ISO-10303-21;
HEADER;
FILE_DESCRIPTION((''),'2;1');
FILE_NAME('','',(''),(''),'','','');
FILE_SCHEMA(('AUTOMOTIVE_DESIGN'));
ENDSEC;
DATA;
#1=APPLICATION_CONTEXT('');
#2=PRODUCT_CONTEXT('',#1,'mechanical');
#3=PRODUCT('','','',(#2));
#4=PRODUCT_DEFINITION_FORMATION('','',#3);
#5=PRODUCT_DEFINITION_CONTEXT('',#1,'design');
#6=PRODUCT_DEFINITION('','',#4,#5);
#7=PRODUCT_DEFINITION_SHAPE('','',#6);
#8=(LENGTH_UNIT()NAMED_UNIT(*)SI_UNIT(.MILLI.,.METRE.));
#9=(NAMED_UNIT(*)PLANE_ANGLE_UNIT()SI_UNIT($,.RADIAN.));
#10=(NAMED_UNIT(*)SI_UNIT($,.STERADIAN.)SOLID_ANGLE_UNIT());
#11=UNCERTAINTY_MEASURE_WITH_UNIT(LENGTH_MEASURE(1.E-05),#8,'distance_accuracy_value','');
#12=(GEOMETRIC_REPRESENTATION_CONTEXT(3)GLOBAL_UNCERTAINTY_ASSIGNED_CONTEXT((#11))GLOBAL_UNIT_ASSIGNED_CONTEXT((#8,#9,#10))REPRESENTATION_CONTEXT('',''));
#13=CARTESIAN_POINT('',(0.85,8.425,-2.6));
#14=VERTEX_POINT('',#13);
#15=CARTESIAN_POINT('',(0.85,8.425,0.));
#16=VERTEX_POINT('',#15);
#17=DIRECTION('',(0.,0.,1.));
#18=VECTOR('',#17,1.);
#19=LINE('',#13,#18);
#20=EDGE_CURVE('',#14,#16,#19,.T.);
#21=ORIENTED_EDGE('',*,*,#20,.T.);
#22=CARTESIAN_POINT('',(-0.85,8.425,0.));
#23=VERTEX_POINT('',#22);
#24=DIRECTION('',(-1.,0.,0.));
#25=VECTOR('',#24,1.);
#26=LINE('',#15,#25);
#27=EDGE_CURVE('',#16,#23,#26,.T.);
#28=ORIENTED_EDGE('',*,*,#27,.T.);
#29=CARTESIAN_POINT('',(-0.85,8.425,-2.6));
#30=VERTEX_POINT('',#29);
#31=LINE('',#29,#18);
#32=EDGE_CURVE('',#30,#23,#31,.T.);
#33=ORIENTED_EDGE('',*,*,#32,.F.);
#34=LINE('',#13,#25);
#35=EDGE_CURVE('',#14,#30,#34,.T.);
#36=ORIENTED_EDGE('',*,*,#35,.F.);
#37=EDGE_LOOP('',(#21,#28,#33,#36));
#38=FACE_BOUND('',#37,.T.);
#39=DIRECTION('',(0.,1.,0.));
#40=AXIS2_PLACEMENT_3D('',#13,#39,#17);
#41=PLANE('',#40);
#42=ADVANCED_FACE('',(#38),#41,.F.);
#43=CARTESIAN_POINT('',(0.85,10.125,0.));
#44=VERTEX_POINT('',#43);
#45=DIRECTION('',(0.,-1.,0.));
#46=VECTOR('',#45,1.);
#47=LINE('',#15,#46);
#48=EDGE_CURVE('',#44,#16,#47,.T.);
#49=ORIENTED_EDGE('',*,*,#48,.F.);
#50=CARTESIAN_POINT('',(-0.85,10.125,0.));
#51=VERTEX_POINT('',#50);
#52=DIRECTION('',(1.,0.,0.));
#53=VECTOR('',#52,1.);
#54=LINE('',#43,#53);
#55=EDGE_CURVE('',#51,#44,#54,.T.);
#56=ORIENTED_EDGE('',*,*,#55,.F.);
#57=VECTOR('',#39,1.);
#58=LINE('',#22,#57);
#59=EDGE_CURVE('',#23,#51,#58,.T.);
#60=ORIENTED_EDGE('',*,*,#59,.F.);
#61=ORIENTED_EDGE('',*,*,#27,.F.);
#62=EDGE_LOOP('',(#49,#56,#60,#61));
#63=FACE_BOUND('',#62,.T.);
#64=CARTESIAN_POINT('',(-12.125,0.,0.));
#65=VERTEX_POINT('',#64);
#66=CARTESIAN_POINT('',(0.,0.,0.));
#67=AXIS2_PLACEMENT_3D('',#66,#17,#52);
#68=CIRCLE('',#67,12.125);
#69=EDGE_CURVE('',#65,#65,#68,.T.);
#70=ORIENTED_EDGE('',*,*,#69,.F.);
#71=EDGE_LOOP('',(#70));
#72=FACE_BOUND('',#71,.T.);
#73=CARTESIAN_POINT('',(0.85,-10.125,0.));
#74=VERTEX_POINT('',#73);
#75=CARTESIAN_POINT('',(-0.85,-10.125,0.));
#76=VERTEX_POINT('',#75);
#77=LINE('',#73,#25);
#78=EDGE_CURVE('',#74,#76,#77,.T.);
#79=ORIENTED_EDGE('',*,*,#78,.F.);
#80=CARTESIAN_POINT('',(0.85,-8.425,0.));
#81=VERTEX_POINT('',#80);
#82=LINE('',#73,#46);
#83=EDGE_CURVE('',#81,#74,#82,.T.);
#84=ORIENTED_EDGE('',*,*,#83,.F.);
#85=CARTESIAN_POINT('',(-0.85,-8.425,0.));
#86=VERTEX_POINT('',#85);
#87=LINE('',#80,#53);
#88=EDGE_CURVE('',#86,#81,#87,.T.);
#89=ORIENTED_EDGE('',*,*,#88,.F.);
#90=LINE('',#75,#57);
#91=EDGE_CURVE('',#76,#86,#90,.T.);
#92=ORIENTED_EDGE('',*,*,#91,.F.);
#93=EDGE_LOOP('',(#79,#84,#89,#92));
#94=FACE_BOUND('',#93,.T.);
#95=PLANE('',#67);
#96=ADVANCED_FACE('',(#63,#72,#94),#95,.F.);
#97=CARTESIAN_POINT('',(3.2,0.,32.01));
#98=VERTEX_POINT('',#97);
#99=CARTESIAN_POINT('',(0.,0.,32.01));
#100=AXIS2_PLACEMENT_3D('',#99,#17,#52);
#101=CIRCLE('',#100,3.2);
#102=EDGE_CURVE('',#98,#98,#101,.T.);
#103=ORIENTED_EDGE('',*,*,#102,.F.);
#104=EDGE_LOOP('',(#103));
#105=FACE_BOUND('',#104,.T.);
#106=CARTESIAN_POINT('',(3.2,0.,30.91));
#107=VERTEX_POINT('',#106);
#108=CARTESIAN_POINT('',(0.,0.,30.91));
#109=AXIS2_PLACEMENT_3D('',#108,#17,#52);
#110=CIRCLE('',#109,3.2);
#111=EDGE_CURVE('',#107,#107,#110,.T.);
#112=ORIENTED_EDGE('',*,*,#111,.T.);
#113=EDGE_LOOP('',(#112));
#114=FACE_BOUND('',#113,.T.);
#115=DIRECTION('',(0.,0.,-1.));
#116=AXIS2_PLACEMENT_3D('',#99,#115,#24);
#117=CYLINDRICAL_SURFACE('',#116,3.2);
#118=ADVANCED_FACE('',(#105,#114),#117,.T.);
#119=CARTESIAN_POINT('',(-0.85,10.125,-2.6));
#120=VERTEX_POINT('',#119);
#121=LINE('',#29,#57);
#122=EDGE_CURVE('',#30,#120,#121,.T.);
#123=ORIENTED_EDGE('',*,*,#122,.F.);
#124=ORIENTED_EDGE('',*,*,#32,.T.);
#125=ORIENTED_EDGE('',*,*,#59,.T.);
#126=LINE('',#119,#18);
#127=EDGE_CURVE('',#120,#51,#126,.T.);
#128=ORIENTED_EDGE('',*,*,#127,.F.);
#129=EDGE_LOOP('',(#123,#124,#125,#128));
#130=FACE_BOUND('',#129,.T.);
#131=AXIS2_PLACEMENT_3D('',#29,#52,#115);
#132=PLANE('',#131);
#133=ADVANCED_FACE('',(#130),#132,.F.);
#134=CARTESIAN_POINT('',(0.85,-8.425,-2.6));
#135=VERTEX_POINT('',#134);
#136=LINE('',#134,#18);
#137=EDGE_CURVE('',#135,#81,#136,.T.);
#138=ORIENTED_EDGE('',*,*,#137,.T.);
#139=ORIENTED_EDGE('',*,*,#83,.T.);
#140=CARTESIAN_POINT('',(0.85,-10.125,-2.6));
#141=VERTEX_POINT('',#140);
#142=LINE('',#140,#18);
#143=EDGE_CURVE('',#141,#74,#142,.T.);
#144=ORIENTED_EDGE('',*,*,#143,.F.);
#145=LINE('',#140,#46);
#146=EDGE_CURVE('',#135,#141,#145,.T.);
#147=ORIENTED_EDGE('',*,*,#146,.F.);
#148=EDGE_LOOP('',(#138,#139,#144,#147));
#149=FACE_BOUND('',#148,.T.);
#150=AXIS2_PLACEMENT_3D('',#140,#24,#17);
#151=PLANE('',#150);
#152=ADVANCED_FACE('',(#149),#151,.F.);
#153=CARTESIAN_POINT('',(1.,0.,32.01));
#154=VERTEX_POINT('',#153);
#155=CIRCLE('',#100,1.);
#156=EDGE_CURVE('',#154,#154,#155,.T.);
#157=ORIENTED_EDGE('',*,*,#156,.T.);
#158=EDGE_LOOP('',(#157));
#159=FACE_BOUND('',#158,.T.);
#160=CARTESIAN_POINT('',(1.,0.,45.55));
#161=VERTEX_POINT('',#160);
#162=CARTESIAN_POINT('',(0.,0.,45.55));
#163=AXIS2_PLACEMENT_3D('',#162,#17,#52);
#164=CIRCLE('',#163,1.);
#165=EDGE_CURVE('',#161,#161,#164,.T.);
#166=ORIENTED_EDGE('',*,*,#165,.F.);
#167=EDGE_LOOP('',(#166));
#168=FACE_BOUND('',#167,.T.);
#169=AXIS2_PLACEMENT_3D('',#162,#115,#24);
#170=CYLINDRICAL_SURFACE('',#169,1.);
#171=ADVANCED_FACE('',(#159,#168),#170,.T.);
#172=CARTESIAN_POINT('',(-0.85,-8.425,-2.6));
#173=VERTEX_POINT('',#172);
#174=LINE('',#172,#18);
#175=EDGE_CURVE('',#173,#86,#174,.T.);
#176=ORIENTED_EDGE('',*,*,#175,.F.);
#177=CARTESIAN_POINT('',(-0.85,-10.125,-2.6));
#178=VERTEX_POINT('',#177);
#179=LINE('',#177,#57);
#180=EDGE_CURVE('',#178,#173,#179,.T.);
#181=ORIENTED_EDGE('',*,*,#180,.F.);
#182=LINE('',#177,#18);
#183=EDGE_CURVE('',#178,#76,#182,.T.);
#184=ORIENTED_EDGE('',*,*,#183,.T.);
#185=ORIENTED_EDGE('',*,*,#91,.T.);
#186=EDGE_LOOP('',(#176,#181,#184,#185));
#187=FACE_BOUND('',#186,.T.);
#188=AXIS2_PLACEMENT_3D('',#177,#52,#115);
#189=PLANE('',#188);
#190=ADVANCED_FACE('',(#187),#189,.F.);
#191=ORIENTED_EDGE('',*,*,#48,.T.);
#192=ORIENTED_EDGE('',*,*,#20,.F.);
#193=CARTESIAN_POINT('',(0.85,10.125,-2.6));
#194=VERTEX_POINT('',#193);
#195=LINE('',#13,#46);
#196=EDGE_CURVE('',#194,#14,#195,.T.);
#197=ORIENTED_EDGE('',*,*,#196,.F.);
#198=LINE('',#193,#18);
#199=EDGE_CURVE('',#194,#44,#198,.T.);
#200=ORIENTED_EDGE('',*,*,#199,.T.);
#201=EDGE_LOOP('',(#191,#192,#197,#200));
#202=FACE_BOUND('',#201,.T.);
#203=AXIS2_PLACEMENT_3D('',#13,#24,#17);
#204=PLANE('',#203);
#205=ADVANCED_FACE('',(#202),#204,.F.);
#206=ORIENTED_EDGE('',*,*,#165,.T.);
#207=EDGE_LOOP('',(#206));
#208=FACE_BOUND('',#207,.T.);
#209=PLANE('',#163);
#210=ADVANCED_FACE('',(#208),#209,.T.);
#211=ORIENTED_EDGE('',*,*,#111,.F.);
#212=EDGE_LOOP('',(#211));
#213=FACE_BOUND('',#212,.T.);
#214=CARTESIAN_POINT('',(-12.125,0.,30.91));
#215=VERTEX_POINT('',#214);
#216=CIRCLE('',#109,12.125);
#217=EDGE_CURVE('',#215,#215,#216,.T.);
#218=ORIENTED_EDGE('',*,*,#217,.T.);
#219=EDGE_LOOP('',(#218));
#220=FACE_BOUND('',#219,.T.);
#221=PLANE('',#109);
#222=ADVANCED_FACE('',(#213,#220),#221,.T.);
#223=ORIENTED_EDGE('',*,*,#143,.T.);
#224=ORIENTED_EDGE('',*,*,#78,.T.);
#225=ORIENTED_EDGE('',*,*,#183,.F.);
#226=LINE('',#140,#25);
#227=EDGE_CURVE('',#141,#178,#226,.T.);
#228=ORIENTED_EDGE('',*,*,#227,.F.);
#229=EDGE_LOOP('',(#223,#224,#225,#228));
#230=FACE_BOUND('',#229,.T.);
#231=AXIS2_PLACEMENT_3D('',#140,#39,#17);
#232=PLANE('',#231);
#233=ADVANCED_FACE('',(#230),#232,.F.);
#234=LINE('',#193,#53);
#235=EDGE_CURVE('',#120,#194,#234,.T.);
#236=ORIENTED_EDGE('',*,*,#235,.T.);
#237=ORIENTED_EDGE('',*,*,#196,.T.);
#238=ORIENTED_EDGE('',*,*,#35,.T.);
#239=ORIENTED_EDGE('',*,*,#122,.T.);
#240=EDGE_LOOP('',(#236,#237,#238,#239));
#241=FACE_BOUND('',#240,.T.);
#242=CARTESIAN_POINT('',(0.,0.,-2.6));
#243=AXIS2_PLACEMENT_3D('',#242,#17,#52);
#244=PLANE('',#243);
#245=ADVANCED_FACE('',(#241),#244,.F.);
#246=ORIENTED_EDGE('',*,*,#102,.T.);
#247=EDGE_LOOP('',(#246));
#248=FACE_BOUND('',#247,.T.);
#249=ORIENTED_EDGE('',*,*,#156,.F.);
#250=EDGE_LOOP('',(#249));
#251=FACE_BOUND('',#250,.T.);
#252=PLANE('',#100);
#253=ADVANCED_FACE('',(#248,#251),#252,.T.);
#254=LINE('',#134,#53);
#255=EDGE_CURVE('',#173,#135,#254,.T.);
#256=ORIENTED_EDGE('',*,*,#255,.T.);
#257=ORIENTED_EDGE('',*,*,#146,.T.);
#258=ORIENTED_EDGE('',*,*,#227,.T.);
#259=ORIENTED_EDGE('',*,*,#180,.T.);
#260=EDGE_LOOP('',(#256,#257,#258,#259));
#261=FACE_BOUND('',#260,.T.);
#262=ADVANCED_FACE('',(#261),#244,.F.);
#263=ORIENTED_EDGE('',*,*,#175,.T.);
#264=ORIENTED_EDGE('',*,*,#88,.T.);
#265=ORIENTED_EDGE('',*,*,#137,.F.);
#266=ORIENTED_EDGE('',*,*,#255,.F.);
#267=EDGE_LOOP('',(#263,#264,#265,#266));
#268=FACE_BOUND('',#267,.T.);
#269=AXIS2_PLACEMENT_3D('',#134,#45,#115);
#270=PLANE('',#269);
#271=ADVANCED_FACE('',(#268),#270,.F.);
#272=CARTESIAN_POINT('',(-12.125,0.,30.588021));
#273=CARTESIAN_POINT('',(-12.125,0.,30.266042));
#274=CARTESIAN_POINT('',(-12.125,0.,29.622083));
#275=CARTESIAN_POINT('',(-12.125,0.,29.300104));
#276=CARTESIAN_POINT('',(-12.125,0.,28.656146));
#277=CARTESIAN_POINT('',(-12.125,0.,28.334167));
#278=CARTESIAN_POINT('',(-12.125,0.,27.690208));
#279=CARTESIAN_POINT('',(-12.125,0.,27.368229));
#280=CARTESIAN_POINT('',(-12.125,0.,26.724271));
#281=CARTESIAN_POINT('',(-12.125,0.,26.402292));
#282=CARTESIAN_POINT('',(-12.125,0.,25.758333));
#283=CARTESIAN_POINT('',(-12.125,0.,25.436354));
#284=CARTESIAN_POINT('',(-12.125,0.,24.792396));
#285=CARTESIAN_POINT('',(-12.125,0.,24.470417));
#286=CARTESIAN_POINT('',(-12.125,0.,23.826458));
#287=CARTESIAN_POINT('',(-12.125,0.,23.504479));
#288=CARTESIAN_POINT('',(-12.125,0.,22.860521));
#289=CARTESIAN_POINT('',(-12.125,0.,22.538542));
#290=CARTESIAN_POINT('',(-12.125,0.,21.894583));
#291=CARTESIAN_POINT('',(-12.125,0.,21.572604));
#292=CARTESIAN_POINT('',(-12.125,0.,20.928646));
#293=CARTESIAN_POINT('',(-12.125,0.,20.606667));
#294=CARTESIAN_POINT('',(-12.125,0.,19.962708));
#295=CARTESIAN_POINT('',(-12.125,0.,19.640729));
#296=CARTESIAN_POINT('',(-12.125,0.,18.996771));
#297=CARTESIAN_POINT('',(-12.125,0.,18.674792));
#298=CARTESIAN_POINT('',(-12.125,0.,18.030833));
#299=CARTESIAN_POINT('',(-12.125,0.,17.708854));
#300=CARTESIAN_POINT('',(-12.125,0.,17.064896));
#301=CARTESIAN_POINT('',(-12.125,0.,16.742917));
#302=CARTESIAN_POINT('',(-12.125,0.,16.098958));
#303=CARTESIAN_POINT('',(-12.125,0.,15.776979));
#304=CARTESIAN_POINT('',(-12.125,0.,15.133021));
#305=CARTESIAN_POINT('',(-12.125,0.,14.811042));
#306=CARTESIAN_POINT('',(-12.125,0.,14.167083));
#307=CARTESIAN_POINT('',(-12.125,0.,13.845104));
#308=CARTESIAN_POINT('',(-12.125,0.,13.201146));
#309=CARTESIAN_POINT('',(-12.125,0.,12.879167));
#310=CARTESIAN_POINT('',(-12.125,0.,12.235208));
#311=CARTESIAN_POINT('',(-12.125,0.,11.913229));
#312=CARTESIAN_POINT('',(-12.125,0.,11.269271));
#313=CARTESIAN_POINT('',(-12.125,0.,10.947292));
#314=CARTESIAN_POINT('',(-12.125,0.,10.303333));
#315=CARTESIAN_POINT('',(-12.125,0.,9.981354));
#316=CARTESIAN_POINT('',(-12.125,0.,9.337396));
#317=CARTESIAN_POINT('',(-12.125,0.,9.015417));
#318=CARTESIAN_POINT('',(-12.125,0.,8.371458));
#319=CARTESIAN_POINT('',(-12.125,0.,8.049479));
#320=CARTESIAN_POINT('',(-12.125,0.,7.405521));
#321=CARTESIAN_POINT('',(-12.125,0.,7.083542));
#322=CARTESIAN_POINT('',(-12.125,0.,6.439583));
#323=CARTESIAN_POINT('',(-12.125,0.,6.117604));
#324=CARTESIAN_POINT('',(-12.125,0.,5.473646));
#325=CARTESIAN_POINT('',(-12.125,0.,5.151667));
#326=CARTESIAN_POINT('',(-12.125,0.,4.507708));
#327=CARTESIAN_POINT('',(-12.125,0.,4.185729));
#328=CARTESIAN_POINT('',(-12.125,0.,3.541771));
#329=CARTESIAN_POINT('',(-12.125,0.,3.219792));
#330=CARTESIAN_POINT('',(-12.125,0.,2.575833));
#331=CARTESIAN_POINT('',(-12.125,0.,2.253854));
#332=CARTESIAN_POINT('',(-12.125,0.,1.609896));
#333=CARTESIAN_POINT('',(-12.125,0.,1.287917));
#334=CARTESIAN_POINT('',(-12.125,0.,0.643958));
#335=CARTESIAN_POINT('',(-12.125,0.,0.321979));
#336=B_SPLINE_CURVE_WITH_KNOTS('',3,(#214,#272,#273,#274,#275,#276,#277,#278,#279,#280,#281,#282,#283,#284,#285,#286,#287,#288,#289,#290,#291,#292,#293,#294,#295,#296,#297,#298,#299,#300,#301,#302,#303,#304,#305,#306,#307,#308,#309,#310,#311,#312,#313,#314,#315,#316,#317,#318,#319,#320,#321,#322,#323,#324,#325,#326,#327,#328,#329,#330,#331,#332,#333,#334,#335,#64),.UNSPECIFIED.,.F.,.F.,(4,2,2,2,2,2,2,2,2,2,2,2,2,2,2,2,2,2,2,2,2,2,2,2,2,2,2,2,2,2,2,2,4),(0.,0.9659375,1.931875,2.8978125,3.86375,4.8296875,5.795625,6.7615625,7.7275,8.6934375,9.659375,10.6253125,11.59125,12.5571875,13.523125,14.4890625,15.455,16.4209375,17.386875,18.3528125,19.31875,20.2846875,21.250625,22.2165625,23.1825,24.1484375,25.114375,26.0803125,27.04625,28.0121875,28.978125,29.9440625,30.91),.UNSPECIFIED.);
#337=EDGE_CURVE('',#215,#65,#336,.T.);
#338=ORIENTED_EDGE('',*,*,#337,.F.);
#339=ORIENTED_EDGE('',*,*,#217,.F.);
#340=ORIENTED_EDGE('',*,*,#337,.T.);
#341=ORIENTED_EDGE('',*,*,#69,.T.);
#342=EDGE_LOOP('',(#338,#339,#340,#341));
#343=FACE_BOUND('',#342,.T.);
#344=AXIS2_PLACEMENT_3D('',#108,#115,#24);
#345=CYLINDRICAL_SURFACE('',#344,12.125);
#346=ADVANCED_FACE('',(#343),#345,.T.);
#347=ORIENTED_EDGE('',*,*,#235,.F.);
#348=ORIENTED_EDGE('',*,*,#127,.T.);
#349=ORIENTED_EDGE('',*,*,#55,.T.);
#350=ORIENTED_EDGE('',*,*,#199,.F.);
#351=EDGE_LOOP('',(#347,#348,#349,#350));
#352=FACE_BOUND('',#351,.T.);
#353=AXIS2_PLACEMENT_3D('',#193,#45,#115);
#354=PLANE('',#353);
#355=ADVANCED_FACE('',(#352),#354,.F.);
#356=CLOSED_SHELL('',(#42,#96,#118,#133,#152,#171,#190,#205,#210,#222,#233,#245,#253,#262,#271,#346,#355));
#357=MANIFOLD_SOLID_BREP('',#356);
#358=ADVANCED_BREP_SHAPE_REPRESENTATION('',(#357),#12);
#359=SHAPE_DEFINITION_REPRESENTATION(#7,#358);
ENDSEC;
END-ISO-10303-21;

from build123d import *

# Parameters (mm, degrees)
ESQUISSE1_R        = 12.125
BOSS_EXTRU_1_DEPTH = 30.91
ESQUISSE2_R        = 3.2
BOSS_EXTRU_2_DEPTH = 1.1
ESQUISSE3_R        = 1
BOSS_EXTRU_3_DEPTH = 13.54
ESQUISSE9_W        = 1.7
ESQUISSE9_H        = 1.7
BOSS_EXTRU_6_DEPTH = 2.6


with BuildPart() as part:
    # Esquisse1 → Boss.-Extru.1 (new body)
    with BuildSketch(Plane.XY):
        with Locations(Location((0, 0, 0), (0, 0, 180))):
            Circle(ESQUISSE1_R)
    extrude(amount=BOSS_EXTRU_1_DEPTH)

    # Esquisse2 → Boss.-Extru.2 (add)
    with BuildSketch(Plane.XY.offset(30.91)):
        Circle(ESQUISSE2_R)
    extrude(amount=BOSS_EXTRU_2_DEPTH)

    # Esquisse3 → Boss.-Extru.3 (add)
    with BuildSketch(Plane.XY.offset(32.01)):
        Circle(ESQUISSE3_R)
    extrude(amount=BOSS_EXTRU_3_DEPTH)

    # Esquisse9 → Boss.-Extru.6 (add)
    with BuildSketch(Plane(origin=(0, 0, 0), x_dir=(-1, 0, 0), z_dir=(0, 0, -1))):
        with Locations((0, -9.275)):
            Rectangle(ESQUISSE9_W, ESQUISSE9_H)
        with Locations((0, 9.275)):
            Rectangle(ESQUISSE9_W, ESQUISSE9_H)
    extrude(amount=BOSS_EXTRU_6_DEPTH)


solid = part.part
